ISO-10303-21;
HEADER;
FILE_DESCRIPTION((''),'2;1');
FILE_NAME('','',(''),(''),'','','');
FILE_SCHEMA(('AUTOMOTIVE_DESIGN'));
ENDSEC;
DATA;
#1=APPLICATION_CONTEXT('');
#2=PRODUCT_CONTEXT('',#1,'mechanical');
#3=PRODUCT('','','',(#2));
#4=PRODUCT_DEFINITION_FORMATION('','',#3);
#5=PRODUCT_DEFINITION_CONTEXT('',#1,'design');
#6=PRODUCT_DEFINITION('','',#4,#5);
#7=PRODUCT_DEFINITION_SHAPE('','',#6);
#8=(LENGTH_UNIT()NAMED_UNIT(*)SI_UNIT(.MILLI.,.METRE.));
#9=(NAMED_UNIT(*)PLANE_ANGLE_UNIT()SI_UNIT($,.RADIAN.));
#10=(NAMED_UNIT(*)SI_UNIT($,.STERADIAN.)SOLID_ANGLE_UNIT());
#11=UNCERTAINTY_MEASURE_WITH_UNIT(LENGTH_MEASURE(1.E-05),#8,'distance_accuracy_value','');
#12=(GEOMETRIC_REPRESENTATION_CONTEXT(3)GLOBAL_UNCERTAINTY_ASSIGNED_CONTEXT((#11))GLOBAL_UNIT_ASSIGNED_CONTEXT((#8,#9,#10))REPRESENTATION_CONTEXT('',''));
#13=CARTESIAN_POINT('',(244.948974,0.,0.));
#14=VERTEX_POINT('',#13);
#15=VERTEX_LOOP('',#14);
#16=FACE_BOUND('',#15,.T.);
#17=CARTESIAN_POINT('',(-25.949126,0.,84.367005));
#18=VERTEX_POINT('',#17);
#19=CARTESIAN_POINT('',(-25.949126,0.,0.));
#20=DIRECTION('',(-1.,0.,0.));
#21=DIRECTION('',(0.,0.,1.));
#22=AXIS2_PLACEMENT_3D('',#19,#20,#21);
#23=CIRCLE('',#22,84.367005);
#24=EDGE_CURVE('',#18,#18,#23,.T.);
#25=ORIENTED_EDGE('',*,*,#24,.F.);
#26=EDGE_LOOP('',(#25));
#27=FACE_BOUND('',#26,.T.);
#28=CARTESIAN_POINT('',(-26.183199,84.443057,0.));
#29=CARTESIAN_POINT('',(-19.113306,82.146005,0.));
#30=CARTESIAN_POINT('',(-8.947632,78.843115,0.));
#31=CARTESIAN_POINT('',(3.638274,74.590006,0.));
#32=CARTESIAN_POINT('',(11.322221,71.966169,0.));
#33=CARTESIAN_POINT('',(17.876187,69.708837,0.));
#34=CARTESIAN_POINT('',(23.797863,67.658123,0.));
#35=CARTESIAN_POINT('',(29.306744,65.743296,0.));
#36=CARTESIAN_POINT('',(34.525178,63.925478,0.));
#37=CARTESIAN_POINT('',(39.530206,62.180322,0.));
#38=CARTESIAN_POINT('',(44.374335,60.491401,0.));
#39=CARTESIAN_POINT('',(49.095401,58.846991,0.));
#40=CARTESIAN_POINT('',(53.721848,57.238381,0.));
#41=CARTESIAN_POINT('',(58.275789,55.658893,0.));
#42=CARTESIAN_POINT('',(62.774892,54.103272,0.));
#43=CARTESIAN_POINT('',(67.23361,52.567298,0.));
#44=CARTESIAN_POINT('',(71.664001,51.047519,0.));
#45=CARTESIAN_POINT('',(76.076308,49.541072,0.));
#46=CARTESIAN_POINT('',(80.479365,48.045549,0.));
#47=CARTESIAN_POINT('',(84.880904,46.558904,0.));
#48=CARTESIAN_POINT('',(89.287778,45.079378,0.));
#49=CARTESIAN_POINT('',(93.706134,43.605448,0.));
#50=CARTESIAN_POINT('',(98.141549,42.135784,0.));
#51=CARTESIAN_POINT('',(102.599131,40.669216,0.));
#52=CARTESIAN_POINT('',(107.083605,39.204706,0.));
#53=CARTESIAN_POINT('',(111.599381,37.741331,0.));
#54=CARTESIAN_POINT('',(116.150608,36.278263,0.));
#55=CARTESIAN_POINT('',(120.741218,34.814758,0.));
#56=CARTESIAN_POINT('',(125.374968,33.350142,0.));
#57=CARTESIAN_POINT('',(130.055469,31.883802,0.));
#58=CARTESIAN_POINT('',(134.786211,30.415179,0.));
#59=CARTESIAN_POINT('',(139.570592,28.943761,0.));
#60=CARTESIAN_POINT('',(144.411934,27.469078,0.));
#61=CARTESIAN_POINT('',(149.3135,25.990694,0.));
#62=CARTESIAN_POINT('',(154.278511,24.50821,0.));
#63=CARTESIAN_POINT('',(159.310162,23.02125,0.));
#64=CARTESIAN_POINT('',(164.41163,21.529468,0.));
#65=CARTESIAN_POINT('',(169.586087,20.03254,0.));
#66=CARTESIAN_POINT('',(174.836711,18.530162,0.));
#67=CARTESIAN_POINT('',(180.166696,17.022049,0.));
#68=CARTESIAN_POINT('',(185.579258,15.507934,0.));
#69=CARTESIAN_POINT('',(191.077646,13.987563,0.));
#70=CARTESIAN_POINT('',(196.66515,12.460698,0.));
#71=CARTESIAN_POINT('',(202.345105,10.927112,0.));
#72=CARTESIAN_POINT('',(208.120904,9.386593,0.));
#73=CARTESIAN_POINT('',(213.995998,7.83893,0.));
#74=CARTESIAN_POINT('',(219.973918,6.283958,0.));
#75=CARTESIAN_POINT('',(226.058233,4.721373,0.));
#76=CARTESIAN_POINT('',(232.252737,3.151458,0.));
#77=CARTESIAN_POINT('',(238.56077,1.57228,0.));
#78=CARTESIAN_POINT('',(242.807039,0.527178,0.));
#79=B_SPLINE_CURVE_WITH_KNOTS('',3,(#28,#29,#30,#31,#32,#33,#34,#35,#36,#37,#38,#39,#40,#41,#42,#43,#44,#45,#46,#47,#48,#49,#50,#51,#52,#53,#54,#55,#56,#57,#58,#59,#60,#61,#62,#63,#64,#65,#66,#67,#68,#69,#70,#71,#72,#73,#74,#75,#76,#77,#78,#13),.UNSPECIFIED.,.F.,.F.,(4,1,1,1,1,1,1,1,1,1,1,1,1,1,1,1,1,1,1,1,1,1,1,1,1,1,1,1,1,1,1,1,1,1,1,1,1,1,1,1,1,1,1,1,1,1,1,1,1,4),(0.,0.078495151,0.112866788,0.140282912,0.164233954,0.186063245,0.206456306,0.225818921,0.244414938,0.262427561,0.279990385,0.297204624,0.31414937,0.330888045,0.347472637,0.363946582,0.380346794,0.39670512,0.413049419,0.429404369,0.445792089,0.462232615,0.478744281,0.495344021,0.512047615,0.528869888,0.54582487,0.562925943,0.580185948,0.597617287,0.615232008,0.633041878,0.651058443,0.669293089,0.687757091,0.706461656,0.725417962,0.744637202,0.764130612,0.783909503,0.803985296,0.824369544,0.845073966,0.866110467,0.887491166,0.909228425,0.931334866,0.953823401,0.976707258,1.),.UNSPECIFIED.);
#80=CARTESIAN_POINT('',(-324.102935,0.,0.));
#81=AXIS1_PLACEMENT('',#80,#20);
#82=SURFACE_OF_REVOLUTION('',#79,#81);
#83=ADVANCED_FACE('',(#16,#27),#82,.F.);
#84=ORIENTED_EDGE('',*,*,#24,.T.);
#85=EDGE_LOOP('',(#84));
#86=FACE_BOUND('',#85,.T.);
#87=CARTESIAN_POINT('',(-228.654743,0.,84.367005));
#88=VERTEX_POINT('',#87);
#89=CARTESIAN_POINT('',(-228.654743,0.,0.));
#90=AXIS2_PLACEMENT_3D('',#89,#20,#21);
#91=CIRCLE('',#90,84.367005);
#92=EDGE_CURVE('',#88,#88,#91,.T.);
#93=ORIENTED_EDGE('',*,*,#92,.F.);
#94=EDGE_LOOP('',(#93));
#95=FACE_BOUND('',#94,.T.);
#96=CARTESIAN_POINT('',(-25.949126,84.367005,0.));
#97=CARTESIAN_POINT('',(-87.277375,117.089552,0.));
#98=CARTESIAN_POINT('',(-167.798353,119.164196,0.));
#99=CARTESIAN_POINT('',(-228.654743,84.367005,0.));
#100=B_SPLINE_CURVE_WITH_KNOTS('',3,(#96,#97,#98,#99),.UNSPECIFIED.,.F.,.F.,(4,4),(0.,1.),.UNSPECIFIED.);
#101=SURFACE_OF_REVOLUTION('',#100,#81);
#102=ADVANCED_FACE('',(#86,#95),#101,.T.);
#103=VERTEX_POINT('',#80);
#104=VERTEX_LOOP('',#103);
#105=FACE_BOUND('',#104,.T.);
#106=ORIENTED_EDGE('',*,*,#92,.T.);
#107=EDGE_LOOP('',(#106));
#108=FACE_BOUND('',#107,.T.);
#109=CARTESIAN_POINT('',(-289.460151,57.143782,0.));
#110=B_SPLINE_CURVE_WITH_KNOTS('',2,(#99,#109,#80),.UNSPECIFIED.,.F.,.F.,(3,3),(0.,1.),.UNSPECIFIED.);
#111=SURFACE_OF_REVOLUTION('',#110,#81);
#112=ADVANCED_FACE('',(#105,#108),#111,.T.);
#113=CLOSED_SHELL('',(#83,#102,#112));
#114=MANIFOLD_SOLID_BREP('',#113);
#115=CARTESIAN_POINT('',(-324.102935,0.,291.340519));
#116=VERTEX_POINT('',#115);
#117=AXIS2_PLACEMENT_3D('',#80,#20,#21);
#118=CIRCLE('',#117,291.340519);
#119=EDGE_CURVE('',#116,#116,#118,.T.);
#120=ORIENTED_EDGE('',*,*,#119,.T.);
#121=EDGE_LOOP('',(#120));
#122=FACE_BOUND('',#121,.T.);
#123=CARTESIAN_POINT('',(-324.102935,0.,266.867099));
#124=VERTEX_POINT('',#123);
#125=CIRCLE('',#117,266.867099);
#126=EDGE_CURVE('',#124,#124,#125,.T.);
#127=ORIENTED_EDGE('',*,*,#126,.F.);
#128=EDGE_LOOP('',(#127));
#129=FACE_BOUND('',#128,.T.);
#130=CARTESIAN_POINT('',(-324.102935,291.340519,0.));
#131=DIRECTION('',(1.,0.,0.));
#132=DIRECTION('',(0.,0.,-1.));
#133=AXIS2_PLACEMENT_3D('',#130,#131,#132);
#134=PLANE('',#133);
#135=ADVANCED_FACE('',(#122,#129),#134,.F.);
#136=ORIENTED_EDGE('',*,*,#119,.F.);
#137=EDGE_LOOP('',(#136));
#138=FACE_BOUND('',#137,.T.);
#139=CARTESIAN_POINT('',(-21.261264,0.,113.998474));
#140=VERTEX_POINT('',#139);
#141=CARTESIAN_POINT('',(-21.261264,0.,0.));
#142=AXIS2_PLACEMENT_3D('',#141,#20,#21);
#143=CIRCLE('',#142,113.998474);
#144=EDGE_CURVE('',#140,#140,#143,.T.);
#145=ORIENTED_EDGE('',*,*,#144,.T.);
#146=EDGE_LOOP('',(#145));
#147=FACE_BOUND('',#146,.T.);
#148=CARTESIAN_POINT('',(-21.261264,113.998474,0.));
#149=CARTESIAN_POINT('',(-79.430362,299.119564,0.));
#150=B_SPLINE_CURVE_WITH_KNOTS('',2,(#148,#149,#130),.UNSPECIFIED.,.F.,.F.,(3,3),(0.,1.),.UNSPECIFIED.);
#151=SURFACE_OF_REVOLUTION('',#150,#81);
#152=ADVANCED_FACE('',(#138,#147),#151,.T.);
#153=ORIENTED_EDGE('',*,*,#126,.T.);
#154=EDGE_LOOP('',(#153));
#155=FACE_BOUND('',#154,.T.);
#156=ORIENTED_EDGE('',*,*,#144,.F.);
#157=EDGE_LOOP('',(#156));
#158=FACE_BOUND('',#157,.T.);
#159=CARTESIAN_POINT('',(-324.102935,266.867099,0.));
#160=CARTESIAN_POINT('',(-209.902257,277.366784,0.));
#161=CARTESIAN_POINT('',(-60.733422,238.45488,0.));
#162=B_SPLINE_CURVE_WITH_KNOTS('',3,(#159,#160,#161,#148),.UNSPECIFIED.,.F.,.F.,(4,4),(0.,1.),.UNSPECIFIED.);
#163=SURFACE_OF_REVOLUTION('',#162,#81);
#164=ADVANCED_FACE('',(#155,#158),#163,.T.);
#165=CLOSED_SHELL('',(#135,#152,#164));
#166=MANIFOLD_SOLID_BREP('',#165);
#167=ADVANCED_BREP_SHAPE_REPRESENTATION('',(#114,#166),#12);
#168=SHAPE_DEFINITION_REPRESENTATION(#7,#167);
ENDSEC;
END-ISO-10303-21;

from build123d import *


with BuildPart() as part:
    # Sketch1 → Revolve1 (revolve)
    with BuildSketch(Plane.XY):
        with BuildLine():
            add(Edge.make_bspline(
                [(-228.654742719, 84.367004813), (-289.460151277, 57.143781761), (-324.102934747, 0)],
                knots=[0, 0, 0, 1, 1, 1], degree=2))
            Line((-324.102934747, 0), (244.948974278, 0))
            add(Edge.make_bspline(
                [(-25.949126387, 84.367004813), (-18.957259862, 82.095296942), (-8.869910721, 78.816851338), (3.638273592, 74.590006145), (11.322220666, 71.966168673), (17.876186843, 69.708836629), (23.797862943, 67.658123054), (29.306744321, 65.743296026), (34.525177517, 63.925477625), (39.530205643, 62.180322475), (44.3743349, 60.49140124), (49.09540116, 58.846990509), (53.721848308, 57.238380904), (58.27578855, 55.658892935), (62.774891733, 54.103272173), (67.233609611, 52.567297708), (71.664001234, 51.047518792), (76.076307919, 49.541071737), (80.479364995, 48.045549069), (84.880903762, 46.558903807), (89.287777555, 45.079377994), (93.706134095, 43.605448381), (98.141549043, 42.135784493), (102.599131022, 40.669215802), (107.083605307, 39.204705695), (111.599381336, 37.74133063), (116.150607807, 36.278263223), (120.741218117, 34.814758452), (125.374968237, 33.350142264), (130.055468575, 31.883802125), (134.786211056, 30.415179106), (139.570592337, 28.943761213), (144.411933912, 27.469077746), (149.313499658, 25.99069448), (154.278511323, 24.508209542), (159.310162291, 23.021249863), (164.411629949, 21.5294681), (169.586086906, 20.032539969), (174.836711247, 18.53016192), (180.166696019, 17.022049086), (185.579258067, 15.507933513), (191.077646344, 13.987562514), (196.665149873, 12.460697503), (202.345105103, 10.927111864), (208.12090407, 9.386593251), (213.995998332, 7.838929552), (219.973918235, 6.283957951), (226.058232992, 4.721372994), (232.25273699, 3.151457593), (238.560769717, 1.572280042), (242.807039438, 0.527178078), (244.948974278, 0)],
                knots=[0.000866284, 0.000866284, 0.000866284, 0.000866284, 0.078495151, 0.112866788, 0.140282912, 0.164233954, 0.186063245, 0.206456306, 0.225818921, 0.244414938, 0.262427561, 0.279990385, 0.297204624, 0.31414937, 0.330888045, 0.347472637, 0.363946582, 0.380346794, 0.39670512, 0.413049419, 0.429404369, 0.445792089, 0.462232615, 0.478744281, 0.495344021, 0.512047615, 0.528869888, 0.54582487, 0.562925943, 0.580185948, 0.597617287, 0.615232008, 0.633041878, 0.651058443, 0.669293089, 0.687757091, 0.706461656, 0.725417962, 0.744637202, 0.764130612, 0.783909503, 0.803985296, 0.824369544, 0.845073966, 0.866110467, 0.887491166, 0.909228425, 0.931334866, 0.953823401, 0.976707258, 1, 1, 1, 1], degree=3))
            add(Edge.make_bspline(
                [(-25.949126387, 84.367004813), (-87.277374705, 117.089551667), (-167.798353056, 119.164195992), (-228.654742719, 84.367004813)],
                knots=[0, 0, 0, 0, 1, 1, 1, 1], degree=3))
        make_face()
    revolve(axis=Axis((-324.102934747, 0, 0), (1, 0, 0)))


with BuildPart() as body_2:
    # Sketch2 → Revolve2 (revolve)
    with BuildSketch(Plane.XY):
        with BuildLine():
            Line((-324.102934747, 291.340519346), (-324.102934747, 266.867099032))
            add(Edge.make_bspline(
                [(-21.261264031, 113.998473668), (-60.733421994, 238.454880091), (-209.90225691, 277.366784471), (-324.102934747, 266.867099032)],
                knots=[0, 0, 0, 0, 1, 1, 1, 1], degree=3))
            add(Edge.make_bspline(
                [(-21.261264031, 113.998473668), (-79.430361908, 299.119564476), (-324.102934747, 291.340519346)],
                knots=[0, 0, 0, 1, 1, 1], degree=2))
        make_face()
    revolve(axis=Axis((-324.102934747, 0, 0), (1, 0, 0)))


solid = Compound([part.part, body_2.part])
